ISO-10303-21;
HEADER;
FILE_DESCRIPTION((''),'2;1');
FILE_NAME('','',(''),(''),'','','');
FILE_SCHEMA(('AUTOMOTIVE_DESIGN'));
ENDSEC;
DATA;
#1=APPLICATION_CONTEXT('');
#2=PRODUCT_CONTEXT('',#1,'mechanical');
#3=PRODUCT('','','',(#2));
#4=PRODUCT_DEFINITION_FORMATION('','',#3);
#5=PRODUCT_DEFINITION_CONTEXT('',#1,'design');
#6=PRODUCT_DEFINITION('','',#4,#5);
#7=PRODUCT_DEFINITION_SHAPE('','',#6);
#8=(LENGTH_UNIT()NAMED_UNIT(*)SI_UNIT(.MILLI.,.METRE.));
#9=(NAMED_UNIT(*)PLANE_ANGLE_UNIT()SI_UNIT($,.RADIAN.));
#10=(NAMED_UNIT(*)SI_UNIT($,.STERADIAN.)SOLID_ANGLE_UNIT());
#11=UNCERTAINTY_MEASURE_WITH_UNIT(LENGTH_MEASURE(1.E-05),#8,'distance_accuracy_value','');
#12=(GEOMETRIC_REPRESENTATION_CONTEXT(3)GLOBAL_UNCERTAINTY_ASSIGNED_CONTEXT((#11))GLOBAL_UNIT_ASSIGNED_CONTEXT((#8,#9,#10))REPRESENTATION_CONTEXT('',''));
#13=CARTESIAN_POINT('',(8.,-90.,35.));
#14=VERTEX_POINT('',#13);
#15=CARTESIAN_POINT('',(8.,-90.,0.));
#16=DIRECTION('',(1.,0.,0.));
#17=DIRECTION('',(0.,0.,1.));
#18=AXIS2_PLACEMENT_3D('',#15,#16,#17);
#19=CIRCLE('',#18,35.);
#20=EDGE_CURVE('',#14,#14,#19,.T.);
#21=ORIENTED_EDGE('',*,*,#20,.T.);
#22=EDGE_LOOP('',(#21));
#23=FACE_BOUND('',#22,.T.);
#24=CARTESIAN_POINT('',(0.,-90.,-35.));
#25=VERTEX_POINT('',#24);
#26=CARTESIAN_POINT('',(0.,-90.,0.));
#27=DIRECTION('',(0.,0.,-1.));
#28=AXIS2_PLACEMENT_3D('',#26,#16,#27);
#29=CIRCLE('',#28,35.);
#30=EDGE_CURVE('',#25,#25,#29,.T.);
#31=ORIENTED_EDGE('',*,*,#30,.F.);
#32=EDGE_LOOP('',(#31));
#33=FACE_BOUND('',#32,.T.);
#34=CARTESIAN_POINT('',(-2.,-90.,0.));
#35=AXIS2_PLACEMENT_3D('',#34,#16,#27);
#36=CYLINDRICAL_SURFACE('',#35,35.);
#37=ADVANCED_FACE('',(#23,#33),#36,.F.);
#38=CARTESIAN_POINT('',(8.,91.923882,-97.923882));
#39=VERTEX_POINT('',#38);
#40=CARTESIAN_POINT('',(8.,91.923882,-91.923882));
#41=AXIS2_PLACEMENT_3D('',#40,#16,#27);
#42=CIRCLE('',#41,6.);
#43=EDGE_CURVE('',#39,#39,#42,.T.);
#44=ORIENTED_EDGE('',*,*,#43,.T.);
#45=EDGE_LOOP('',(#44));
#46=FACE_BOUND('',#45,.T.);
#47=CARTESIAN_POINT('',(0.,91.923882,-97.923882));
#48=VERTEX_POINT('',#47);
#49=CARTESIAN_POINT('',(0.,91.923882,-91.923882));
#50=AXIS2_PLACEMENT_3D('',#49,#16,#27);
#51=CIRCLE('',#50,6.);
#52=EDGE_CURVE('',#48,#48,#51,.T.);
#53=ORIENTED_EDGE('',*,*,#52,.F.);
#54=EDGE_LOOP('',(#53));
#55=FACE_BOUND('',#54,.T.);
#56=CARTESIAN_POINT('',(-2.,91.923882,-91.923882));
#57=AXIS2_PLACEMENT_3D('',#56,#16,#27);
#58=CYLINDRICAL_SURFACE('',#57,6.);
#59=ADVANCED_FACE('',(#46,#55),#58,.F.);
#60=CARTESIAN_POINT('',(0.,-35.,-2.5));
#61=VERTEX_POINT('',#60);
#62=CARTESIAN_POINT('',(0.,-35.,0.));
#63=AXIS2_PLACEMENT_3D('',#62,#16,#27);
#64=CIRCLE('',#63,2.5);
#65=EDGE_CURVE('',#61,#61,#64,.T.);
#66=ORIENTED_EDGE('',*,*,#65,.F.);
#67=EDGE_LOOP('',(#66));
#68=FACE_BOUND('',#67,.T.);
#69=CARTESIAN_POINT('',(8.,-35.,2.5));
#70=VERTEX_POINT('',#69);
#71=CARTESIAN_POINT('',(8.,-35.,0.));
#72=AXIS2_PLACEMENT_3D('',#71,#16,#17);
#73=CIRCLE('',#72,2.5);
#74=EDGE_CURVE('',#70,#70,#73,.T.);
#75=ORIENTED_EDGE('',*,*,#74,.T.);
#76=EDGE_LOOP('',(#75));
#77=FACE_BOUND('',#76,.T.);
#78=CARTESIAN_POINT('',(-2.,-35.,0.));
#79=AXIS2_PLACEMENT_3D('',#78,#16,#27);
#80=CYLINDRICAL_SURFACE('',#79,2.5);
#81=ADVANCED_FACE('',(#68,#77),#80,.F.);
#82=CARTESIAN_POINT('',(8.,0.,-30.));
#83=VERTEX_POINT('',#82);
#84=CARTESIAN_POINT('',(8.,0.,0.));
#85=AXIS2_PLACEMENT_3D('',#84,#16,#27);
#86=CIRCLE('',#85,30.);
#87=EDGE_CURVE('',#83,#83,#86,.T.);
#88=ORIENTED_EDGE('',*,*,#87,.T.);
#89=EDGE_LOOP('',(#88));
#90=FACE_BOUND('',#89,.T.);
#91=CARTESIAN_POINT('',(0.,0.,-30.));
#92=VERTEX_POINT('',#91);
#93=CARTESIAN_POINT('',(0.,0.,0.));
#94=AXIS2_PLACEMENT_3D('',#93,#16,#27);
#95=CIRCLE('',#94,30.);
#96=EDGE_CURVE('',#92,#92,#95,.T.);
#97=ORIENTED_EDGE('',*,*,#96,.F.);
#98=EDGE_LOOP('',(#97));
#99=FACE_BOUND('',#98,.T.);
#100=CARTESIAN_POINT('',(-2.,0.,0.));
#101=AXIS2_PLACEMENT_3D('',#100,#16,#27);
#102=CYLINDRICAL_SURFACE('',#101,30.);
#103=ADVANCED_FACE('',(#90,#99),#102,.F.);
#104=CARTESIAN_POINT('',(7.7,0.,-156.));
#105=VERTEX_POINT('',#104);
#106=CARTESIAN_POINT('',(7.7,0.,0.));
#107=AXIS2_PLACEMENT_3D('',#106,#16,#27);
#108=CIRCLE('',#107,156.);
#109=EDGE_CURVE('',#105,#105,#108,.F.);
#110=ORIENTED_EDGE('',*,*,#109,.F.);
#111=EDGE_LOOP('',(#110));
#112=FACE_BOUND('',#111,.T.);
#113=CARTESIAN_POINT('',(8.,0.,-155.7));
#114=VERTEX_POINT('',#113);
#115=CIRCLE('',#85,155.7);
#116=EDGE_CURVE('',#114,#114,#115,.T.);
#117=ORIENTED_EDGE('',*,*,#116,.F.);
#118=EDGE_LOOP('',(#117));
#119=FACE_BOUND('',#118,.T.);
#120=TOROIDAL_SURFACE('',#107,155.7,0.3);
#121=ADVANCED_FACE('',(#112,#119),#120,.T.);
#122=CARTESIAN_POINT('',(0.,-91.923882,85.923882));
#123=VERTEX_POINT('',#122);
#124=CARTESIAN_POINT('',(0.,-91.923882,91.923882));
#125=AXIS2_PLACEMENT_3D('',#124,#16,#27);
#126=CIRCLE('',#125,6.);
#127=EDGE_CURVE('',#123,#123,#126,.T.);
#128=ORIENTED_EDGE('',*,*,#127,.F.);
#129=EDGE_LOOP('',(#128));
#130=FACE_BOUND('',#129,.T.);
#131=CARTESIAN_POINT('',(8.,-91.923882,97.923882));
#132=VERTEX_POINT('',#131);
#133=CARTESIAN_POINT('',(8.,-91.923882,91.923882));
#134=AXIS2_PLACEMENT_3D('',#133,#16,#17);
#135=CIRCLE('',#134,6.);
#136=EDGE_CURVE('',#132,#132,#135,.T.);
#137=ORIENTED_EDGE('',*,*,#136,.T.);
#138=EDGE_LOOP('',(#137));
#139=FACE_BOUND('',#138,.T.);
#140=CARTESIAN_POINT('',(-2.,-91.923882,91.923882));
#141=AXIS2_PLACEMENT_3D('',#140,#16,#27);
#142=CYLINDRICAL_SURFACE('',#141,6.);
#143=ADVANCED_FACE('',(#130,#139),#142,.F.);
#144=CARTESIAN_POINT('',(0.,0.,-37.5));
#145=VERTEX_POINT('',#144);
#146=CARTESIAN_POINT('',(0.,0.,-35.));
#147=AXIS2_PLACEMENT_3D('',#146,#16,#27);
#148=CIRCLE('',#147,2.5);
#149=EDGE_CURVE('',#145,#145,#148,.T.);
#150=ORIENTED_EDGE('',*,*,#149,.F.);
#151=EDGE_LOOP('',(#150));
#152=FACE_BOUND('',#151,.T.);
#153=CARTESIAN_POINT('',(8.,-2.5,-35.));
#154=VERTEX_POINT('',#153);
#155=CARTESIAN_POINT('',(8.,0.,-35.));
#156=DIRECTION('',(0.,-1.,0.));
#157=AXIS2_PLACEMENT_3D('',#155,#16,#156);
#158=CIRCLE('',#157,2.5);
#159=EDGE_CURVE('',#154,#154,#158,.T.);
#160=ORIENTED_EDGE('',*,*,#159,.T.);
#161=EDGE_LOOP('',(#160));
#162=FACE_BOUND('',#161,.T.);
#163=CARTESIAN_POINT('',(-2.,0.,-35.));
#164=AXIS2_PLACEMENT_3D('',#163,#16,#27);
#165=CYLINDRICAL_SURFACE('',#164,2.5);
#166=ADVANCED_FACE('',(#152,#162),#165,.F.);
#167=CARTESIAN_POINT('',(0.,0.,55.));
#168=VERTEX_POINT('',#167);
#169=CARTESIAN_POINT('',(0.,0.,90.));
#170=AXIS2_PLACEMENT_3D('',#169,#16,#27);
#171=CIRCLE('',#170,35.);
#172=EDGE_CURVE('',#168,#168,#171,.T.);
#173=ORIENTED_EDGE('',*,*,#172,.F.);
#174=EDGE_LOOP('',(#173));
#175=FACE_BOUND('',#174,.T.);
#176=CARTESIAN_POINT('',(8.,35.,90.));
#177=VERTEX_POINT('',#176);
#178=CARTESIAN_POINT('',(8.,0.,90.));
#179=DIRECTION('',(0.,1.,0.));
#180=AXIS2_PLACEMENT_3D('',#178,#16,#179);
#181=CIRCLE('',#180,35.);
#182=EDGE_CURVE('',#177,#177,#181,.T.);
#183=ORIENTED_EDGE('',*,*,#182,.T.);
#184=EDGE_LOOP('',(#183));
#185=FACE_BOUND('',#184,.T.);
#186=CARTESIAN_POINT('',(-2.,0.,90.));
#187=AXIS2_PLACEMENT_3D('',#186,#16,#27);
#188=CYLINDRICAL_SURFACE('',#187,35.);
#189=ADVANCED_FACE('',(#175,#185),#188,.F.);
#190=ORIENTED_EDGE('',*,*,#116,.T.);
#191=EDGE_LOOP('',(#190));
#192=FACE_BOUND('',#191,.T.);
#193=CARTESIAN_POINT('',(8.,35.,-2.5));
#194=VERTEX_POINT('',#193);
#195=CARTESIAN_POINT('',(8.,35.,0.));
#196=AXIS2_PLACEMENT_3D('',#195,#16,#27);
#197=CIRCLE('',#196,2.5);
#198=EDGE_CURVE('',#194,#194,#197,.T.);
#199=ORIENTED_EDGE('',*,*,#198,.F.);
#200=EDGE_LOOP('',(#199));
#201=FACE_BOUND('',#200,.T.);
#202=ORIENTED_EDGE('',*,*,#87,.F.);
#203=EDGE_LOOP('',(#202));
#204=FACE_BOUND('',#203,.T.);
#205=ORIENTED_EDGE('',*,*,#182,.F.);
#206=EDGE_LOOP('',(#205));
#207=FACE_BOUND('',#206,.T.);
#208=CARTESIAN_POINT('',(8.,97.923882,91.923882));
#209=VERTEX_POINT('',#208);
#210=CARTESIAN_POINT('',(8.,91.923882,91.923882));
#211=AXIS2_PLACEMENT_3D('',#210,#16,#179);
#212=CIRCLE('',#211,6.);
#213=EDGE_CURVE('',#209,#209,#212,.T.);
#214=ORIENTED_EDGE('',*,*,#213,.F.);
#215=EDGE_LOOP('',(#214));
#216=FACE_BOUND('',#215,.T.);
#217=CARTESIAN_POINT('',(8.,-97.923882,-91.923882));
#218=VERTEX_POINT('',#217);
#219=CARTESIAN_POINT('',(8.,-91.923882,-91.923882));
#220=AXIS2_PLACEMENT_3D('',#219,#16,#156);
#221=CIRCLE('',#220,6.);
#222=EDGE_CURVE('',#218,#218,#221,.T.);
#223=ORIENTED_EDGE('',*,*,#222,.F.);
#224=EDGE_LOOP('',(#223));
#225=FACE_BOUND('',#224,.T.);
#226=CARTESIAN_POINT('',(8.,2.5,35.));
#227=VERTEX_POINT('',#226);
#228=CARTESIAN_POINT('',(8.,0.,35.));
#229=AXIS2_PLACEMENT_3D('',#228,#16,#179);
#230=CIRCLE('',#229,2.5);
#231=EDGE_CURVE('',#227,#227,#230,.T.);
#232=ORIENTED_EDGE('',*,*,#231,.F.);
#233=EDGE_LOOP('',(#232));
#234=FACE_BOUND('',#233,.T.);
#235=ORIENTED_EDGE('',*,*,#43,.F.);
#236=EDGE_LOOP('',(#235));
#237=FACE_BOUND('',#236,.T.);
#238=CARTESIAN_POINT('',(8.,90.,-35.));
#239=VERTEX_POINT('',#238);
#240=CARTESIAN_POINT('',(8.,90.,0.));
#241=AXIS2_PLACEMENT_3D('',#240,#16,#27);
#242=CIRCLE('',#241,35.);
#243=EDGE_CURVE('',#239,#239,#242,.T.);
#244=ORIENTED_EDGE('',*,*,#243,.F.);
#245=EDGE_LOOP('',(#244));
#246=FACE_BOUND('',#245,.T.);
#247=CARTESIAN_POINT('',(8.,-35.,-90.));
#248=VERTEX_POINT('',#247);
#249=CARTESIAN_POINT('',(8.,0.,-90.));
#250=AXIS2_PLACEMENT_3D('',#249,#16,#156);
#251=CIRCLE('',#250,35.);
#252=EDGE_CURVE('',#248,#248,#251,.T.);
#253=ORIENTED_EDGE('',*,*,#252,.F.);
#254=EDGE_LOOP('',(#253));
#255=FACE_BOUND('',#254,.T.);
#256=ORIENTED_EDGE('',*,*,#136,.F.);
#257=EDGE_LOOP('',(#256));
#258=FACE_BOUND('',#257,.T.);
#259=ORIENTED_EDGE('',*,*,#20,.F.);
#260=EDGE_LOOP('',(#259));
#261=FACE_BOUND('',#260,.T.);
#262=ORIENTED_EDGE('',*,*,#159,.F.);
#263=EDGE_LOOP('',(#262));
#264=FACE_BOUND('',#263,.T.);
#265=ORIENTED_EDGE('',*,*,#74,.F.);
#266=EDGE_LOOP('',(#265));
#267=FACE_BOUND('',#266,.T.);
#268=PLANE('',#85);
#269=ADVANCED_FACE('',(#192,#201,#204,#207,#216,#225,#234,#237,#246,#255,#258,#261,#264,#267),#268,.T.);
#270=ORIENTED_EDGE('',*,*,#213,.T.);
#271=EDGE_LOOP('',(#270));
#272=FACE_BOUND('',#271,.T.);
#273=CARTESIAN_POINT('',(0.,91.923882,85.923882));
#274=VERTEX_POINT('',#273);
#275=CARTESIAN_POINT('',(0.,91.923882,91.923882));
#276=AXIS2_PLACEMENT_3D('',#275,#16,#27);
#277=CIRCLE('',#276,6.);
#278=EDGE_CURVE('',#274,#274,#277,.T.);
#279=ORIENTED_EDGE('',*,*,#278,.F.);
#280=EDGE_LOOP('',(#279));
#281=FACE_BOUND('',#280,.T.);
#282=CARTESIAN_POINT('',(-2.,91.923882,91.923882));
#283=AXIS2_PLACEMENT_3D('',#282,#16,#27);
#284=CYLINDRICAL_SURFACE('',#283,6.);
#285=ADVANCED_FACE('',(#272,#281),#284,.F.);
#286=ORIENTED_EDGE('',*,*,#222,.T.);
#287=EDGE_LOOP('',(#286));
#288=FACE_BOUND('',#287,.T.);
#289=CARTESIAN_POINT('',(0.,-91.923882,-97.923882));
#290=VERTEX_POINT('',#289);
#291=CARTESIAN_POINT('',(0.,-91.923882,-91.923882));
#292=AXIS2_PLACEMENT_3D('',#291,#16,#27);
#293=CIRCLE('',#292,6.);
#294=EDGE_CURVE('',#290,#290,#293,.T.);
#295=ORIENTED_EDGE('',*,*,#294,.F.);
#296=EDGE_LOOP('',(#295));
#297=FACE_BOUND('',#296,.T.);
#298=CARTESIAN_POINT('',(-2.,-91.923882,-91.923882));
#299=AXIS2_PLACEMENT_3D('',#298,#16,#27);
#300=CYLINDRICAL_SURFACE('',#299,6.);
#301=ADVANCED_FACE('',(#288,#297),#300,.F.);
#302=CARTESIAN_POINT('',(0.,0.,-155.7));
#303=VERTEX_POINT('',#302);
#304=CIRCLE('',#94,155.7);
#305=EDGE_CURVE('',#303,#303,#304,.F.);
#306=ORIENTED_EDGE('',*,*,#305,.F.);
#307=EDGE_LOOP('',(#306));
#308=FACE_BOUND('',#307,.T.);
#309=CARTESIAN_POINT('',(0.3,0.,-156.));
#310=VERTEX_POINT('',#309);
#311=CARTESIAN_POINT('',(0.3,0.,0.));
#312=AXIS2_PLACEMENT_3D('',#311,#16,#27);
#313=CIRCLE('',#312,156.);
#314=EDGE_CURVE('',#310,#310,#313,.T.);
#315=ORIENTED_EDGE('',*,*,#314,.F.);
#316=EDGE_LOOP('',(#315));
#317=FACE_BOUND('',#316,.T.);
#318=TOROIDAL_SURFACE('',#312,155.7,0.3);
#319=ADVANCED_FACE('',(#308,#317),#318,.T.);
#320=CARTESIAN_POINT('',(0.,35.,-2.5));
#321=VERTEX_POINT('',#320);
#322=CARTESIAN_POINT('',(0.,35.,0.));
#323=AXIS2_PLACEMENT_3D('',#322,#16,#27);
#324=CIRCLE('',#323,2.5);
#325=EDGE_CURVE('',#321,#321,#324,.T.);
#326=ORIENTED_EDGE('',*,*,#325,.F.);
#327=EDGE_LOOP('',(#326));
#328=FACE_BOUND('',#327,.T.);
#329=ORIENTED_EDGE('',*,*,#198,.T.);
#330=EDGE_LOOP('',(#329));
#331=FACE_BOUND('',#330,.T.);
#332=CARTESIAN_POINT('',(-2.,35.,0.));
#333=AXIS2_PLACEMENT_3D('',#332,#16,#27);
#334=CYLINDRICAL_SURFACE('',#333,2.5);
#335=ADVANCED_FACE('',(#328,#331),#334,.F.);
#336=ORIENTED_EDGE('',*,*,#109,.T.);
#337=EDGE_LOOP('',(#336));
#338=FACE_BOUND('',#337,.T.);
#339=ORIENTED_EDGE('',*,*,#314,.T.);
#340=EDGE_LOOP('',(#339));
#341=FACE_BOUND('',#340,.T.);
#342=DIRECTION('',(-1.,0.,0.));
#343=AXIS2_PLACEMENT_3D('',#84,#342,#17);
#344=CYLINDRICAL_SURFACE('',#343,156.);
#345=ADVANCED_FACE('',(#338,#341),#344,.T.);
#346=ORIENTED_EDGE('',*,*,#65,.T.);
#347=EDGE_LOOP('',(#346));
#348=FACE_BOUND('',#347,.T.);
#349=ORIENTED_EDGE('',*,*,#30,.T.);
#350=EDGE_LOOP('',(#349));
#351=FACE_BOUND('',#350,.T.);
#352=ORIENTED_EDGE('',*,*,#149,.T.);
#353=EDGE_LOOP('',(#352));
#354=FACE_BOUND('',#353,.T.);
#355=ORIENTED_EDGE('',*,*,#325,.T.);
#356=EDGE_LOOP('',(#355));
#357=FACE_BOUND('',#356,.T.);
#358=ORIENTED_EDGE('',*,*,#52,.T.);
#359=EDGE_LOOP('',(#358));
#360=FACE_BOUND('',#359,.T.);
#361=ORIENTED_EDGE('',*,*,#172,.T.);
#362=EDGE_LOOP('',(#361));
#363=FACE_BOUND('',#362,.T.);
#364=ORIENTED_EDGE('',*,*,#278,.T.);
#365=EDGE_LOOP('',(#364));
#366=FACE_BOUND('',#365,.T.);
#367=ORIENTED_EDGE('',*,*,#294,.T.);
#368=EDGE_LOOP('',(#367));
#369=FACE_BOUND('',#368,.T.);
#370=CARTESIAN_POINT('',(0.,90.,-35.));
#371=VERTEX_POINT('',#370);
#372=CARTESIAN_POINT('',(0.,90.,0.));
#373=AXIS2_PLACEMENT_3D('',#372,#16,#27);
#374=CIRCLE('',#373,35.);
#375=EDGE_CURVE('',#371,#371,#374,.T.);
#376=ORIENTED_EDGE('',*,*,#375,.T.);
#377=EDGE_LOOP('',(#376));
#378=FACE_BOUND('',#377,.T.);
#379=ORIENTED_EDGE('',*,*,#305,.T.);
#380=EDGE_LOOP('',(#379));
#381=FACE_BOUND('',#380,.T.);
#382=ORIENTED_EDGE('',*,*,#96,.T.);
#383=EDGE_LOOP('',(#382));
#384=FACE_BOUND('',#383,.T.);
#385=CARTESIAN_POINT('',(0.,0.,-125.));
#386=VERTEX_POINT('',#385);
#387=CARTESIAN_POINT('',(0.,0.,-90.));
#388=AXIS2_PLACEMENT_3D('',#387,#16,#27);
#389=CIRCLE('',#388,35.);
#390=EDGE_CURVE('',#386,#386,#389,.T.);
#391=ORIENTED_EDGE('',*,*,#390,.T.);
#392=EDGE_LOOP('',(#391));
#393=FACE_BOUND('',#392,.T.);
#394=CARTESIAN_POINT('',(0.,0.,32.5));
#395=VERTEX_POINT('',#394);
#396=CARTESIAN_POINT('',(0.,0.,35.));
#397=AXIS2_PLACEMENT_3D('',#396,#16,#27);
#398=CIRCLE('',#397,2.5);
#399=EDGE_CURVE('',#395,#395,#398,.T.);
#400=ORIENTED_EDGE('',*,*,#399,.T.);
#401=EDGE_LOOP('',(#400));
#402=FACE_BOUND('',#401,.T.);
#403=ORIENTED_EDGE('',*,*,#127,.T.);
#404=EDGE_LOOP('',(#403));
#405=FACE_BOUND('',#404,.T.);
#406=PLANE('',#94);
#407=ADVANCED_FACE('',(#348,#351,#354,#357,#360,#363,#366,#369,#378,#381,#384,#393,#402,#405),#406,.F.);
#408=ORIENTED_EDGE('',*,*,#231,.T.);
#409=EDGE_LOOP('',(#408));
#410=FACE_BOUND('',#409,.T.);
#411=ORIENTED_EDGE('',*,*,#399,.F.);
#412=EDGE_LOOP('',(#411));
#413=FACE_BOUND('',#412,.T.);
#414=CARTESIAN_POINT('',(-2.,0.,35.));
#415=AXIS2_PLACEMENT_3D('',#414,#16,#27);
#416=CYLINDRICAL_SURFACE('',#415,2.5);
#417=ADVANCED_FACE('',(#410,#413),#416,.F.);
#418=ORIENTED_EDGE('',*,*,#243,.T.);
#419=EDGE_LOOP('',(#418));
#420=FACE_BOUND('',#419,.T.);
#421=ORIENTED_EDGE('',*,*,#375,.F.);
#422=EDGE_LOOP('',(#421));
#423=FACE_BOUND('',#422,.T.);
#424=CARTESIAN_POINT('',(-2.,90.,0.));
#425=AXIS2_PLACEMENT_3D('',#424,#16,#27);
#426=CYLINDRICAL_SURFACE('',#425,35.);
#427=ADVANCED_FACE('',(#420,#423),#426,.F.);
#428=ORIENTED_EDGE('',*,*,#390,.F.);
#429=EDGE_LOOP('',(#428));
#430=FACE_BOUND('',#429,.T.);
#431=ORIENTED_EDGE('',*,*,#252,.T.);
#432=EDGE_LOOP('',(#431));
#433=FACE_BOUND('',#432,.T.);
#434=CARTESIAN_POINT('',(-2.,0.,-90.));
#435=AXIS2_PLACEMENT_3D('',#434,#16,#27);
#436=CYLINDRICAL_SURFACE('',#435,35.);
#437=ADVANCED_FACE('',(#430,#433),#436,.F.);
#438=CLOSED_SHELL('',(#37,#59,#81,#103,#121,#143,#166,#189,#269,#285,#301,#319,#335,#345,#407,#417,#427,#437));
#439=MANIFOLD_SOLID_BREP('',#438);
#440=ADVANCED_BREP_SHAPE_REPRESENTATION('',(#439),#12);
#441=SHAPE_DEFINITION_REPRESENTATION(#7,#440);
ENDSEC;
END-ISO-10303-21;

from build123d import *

# Parameters (mm, degrees)
SKETCH_1_R               = 156
EXTRUDE_1_DEPTH          = 8
SKETCH_2_R               = 30
CUT_EXTRUDE_1_DEPTH      = 10
SKETCH_3_R               = 35
CUT_EXTRUDE_2_DEPTH      = 10
PATTERN_CIRCULAR_1_COUNT = 4
SKETCH_4_R               = 6
CUT_EXTRUDE_3_DEPTH      = 10
PATTERN_CIRCULAR_2_COUNT = 4
SKETCH_6_R               = 2.5
CUT_EXTRUDE_5_DEPTH      = 10
PATTERN_CIRCULAR_4_COUNT = 4
FILLET_1_R               = 0.3


with BuildPart() as part:
    # 草图1 → 凸台-拉伸1 (new body)
    with BuildSketch(Plane(origin=(0, 0, 0), x_dir=(0, 0, -1), z_dir=(1, 0, 0))):
        Circle(SKETCH_1_R)
    extrude(amount=EXTRUDE_1_DEPTH)

    # 草图2 → 切除-拉伸1 (cut)
    with BuildSketch(Plane(origin=(8, 0, 0), x_dir=(0, 0, -1), z_dir=(1, 0, 0))):
        Circle(SKETCH_2_R)
    extrude(amount=-CUT_EXTRUDE_1_DEPTH, mode=Mode.SUBTRACT)

    # 草图3 → 切除-拉伸2 (cut)
    with BuildSketch(Plane(origin=(8, 0, 0), x_dir=(0, 0, -1), z_dir=(1, 0, 0))):
        with Locations((0, 90)):
            Circle(SKETCH_3_R)
    cut_extrude_2 = extrude(amount=-CUT_EXTRUDE_2_DEPTH, mode=Mode.SUBTRACT)

    # 阵列(圆周)1: 切除-拉伸2 ×4 about axis
    pattern_circular_1_axis = Axis((0, 0, 0), (1, 0, 0))
    for i in range(1, PATTERN_CIRCULAR_1_COUNT):
        add(cut_extrude_2.rotate(pattern_circular_1_axis, i * 360 / PATTERN_CIRCULAR_1_COUNT), mode=Mode.SUBTRACT)

    # 草图4 → 切除-拉伸3 (cut)
    with BuildSketch(Plane(origin=(8, 0, 0), x_dir=(0, 0, -1), z_dir=(1, 0, 0))):
        with Locations((91.923881554, 91.923881554)):
            Circle(SKETCH_4_R)
    cut_extrude_3 = extrude(amount=-CUT_EXTRUDE_3_DEPTH, mode=Mode.SUBTRACT)

    # 阵列(圆周)2: 切除-拉伸3 ×4 about axis
    pattern_circular_2_axis = Axis((0, 0, 0), (1, 0, 0))
    for i in range(1, PATTERN_CIRCULAR_2_COUNT):
        add(cut_extrude_3.rotate(pattern_circular_2_axis, i * 360 / PATTERN_CIRCULAR_2_COUNT), mode=Mode.SUBTRACT)

    # 草图6 → 切除-拉伸5 (cut)
    with BuildSketch(Plane(origin=(8, 0, 0), x_dir=(0, 0, -1), z_dir=(1, 0, 0))):
        with Locations((0, 35)):
            Circle(SKETCH_6_R)
    cut_extrude_5 = extrude(amount=-CUT_EXTRUDE_5_DEPTH, mode=Mode.SUBTRACT)

    # 阵列(圆周)4: 切除-拉伸5 ×4 about axis
    pattern_circular_4_axis = Axis((0, 0, 0), (1, 0, 0))
    for i in range(1, PATTERN_CIRCULAR_4_COUNT):
        add(cut_extrude_5.rotate(pattern_circular_4_axis, i * 360 / PATTERN_CIRCULAR_4_COUNT), mode=Mode.SUBTRACT)

    # 圆角1
    fillet_1_edges = [part.edges().sort_by_distance(p)[0] for p in [
        (0, 0, 156),
        (8, 0, 156),
    ]]
    fillet(fillet_1_edges, radius=FILLET_1_R)


solid = part.part
